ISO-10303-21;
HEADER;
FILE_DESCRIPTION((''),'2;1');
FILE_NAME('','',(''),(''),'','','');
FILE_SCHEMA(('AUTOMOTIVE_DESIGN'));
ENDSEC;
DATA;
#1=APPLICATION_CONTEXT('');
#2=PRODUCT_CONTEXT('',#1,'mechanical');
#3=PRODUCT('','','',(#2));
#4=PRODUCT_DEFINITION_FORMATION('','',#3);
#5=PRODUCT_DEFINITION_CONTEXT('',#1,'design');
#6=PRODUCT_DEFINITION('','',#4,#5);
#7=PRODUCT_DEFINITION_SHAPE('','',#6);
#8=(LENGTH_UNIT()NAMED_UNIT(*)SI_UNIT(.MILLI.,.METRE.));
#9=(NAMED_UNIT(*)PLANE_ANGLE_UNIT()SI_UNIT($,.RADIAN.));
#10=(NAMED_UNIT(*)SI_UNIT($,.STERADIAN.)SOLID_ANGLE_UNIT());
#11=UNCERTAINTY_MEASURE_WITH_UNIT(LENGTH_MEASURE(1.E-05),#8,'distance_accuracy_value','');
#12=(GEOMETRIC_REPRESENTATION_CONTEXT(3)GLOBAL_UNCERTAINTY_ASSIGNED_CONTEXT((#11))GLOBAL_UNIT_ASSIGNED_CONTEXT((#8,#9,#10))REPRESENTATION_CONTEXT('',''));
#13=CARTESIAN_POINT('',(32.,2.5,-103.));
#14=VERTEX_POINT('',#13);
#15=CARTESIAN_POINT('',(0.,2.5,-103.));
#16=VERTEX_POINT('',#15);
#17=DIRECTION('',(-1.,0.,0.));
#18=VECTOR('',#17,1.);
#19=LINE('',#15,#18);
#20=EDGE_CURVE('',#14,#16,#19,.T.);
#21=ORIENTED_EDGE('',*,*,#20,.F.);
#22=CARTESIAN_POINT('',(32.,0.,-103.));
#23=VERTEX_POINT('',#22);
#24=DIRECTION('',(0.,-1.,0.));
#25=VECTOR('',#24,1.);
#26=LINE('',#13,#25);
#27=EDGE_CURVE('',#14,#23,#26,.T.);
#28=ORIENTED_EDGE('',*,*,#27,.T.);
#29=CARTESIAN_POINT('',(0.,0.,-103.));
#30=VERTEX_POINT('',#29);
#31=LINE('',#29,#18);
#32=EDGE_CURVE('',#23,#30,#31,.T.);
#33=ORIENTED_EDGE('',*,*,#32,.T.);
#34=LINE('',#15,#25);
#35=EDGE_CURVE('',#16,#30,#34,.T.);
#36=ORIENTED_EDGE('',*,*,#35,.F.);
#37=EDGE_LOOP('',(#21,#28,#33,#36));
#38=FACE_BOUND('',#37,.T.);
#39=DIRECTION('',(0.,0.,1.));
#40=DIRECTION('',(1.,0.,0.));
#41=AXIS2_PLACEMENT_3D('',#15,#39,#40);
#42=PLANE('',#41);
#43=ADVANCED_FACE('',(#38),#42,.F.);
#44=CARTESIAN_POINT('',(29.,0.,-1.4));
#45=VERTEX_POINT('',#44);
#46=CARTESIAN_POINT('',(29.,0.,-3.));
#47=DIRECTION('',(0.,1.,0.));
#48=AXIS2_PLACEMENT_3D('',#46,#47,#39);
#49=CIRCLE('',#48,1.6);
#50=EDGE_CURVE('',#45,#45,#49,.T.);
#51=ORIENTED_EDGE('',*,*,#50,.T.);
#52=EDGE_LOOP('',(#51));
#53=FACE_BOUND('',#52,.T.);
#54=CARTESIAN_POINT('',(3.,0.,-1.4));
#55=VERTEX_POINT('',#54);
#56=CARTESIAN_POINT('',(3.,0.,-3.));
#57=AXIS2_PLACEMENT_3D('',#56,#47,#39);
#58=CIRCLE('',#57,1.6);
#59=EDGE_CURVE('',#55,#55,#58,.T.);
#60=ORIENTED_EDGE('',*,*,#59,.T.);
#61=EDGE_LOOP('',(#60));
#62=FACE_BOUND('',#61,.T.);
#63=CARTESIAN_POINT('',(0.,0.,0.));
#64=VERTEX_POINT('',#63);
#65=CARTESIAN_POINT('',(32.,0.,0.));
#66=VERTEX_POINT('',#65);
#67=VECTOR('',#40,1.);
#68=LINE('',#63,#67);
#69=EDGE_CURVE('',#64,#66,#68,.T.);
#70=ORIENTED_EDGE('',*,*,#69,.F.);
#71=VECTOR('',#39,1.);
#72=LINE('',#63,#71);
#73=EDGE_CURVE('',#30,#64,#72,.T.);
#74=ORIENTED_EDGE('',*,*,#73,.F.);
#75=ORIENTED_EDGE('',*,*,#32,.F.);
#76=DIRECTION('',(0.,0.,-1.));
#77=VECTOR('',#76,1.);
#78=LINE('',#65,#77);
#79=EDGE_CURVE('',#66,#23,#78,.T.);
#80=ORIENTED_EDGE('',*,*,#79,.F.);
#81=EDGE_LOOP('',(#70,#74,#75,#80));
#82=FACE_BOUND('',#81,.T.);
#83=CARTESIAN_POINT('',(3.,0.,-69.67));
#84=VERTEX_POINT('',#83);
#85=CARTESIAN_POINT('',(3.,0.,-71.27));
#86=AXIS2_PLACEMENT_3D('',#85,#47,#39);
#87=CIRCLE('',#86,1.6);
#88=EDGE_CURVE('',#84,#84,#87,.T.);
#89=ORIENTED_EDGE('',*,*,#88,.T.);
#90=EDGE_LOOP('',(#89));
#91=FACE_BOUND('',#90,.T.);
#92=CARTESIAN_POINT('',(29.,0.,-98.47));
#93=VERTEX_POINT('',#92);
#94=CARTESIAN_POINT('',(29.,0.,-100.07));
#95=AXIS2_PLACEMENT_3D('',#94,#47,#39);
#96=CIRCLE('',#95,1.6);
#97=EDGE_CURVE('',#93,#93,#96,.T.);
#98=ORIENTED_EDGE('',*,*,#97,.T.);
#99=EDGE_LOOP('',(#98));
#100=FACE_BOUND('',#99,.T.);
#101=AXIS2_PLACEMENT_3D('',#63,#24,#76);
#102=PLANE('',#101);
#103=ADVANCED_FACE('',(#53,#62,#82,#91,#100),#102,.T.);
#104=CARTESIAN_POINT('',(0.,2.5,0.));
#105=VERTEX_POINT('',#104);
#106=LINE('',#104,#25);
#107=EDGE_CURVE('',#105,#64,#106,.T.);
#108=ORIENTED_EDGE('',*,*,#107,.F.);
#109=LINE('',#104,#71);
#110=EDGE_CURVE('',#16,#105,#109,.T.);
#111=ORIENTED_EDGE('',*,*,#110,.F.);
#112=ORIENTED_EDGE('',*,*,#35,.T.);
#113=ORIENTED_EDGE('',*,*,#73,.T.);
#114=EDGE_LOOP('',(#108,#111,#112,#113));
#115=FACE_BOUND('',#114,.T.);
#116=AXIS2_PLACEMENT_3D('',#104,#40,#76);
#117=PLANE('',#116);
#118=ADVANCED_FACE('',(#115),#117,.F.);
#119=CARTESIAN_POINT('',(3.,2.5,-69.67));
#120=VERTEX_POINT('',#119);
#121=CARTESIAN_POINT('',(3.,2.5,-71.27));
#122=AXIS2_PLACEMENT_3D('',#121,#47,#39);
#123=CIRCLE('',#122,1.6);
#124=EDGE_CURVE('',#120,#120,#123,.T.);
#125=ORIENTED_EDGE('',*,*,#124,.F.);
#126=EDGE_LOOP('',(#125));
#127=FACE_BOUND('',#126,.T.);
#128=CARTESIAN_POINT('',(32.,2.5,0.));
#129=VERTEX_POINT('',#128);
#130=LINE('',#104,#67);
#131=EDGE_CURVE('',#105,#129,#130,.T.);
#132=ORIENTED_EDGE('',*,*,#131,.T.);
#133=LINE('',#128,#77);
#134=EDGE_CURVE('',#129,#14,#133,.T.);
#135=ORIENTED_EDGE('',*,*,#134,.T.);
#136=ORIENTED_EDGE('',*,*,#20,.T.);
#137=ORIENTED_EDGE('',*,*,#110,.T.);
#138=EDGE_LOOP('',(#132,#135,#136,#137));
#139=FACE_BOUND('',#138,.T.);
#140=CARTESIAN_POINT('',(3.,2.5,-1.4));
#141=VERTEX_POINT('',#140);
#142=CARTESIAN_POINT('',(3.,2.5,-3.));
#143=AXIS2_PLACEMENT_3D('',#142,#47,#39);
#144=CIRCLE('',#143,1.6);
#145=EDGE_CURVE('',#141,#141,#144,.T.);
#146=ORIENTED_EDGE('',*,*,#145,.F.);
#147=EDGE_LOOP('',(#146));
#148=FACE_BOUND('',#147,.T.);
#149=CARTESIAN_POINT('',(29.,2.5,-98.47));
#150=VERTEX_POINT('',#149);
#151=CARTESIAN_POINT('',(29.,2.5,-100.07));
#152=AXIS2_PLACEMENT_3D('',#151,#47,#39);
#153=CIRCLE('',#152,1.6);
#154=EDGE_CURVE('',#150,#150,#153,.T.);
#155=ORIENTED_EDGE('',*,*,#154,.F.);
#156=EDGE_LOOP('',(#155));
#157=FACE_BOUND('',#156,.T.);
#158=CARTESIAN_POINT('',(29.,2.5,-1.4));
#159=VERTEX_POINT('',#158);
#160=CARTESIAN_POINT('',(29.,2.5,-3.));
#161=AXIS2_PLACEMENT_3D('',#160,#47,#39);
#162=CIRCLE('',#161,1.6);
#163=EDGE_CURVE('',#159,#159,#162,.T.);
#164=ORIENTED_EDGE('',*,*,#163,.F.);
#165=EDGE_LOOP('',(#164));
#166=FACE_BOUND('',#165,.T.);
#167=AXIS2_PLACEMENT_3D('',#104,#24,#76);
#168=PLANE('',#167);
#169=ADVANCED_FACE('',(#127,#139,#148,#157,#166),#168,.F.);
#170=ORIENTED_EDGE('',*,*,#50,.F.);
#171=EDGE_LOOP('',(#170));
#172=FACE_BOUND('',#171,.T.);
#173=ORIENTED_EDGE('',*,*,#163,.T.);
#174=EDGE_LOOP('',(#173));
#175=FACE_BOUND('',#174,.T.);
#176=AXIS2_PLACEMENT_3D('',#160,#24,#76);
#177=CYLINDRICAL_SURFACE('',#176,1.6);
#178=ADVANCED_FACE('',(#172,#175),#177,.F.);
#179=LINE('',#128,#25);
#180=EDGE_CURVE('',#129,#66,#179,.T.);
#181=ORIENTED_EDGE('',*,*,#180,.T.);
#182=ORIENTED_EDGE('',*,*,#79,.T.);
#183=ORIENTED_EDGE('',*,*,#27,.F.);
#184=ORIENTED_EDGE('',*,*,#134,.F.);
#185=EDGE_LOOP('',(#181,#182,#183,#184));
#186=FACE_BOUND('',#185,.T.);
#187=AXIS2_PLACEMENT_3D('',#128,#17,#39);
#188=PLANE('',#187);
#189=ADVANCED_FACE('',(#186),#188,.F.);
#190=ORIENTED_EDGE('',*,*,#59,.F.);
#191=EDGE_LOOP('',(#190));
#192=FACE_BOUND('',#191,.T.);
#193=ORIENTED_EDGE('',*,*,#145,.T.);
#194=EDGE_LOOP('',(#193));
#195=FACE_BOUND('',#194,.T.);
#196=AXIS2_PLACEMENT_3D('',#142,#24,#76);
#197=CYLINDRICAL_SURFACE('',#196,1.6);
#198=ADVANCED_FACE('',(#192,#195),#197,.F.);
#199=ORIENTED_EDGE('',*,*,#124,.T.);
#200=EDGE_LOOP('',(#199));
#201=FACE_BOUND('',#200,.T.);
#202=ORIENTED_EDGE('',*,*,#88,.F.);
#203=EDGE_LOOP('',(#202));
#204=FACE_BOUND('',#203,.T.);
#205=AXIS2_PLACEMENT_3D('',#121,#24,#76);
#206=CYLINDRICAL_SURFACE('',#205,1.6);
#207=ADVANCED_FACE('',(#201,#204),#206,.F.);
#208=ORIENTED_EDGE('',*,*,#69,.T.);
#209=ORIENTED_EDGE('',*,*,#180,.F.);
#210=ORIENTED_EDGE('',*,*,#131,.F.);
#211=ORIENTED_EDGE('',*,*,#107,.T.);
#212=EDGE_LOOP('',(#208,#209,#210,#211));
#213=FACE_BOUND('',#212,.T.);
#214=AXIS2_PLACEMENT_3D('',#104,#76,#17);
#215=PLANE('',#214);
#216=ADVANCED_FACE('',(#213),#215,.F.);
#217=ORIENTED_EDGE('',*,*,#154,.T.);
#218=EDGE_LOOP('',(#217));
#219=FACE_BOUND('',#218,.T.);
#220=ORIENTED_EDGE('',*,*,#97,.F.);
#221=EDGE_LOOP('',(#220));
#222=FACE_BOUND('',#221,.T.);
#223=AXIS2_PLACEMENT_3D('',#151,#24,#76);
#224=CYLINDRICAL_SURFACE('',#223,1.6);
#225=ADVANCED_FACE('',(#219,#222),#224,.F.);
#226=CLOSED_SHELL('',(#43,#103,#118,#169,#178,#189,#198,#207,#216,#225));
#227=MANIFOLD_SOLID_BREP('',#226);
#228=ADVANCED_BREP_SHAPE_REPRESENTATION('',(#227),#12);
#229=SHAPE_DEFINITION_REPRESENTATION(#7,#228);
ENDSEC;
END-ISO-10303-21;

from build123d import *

# Parameters (mm, degrees)
SKETCH_1_W      = 32
SKETCH_1_H      = 103
SKETCH_1_R      = 1.6
EXTRUDE_1_DEPTH = 2.5


with BuildPart() as part:
    # 草图1 → 凸台-拉伸1 (new body)
    with BuildSketch(Plane(origin=(0, 0, 0), x_dir=(1, 0, 0), z_dir=(0, 1, 0))):
        with Locations((16, 51.5)):
            Rectangle(SKETCH_1_W, SKETCH_1_H)
        with Locations(Location((3, 3, 0), (0, 0, 270))):
            Circle(SKETCH_1_R, mode=Mode.SUBTRACT)
        with Locations(Location((29, 3, 0), (0, 0, 270))):
            Circle(SKETCH_1_R, mode=Mode.SUBTRACT)
        with Locations(Location((3, 71.27, 0), (0, 0, 270))):
            Circle(SKETCH_1_R, mode=Mode.SUBTRACT)
        with Locations(Location((29, 100.07, 0), (0, 0, 270))):
            Circle(SKETCH_1_R, mode=Mode.SUBTRACT)
    extrude(amount=EXTRUDE_1_DEPTH)


solid = part.part
